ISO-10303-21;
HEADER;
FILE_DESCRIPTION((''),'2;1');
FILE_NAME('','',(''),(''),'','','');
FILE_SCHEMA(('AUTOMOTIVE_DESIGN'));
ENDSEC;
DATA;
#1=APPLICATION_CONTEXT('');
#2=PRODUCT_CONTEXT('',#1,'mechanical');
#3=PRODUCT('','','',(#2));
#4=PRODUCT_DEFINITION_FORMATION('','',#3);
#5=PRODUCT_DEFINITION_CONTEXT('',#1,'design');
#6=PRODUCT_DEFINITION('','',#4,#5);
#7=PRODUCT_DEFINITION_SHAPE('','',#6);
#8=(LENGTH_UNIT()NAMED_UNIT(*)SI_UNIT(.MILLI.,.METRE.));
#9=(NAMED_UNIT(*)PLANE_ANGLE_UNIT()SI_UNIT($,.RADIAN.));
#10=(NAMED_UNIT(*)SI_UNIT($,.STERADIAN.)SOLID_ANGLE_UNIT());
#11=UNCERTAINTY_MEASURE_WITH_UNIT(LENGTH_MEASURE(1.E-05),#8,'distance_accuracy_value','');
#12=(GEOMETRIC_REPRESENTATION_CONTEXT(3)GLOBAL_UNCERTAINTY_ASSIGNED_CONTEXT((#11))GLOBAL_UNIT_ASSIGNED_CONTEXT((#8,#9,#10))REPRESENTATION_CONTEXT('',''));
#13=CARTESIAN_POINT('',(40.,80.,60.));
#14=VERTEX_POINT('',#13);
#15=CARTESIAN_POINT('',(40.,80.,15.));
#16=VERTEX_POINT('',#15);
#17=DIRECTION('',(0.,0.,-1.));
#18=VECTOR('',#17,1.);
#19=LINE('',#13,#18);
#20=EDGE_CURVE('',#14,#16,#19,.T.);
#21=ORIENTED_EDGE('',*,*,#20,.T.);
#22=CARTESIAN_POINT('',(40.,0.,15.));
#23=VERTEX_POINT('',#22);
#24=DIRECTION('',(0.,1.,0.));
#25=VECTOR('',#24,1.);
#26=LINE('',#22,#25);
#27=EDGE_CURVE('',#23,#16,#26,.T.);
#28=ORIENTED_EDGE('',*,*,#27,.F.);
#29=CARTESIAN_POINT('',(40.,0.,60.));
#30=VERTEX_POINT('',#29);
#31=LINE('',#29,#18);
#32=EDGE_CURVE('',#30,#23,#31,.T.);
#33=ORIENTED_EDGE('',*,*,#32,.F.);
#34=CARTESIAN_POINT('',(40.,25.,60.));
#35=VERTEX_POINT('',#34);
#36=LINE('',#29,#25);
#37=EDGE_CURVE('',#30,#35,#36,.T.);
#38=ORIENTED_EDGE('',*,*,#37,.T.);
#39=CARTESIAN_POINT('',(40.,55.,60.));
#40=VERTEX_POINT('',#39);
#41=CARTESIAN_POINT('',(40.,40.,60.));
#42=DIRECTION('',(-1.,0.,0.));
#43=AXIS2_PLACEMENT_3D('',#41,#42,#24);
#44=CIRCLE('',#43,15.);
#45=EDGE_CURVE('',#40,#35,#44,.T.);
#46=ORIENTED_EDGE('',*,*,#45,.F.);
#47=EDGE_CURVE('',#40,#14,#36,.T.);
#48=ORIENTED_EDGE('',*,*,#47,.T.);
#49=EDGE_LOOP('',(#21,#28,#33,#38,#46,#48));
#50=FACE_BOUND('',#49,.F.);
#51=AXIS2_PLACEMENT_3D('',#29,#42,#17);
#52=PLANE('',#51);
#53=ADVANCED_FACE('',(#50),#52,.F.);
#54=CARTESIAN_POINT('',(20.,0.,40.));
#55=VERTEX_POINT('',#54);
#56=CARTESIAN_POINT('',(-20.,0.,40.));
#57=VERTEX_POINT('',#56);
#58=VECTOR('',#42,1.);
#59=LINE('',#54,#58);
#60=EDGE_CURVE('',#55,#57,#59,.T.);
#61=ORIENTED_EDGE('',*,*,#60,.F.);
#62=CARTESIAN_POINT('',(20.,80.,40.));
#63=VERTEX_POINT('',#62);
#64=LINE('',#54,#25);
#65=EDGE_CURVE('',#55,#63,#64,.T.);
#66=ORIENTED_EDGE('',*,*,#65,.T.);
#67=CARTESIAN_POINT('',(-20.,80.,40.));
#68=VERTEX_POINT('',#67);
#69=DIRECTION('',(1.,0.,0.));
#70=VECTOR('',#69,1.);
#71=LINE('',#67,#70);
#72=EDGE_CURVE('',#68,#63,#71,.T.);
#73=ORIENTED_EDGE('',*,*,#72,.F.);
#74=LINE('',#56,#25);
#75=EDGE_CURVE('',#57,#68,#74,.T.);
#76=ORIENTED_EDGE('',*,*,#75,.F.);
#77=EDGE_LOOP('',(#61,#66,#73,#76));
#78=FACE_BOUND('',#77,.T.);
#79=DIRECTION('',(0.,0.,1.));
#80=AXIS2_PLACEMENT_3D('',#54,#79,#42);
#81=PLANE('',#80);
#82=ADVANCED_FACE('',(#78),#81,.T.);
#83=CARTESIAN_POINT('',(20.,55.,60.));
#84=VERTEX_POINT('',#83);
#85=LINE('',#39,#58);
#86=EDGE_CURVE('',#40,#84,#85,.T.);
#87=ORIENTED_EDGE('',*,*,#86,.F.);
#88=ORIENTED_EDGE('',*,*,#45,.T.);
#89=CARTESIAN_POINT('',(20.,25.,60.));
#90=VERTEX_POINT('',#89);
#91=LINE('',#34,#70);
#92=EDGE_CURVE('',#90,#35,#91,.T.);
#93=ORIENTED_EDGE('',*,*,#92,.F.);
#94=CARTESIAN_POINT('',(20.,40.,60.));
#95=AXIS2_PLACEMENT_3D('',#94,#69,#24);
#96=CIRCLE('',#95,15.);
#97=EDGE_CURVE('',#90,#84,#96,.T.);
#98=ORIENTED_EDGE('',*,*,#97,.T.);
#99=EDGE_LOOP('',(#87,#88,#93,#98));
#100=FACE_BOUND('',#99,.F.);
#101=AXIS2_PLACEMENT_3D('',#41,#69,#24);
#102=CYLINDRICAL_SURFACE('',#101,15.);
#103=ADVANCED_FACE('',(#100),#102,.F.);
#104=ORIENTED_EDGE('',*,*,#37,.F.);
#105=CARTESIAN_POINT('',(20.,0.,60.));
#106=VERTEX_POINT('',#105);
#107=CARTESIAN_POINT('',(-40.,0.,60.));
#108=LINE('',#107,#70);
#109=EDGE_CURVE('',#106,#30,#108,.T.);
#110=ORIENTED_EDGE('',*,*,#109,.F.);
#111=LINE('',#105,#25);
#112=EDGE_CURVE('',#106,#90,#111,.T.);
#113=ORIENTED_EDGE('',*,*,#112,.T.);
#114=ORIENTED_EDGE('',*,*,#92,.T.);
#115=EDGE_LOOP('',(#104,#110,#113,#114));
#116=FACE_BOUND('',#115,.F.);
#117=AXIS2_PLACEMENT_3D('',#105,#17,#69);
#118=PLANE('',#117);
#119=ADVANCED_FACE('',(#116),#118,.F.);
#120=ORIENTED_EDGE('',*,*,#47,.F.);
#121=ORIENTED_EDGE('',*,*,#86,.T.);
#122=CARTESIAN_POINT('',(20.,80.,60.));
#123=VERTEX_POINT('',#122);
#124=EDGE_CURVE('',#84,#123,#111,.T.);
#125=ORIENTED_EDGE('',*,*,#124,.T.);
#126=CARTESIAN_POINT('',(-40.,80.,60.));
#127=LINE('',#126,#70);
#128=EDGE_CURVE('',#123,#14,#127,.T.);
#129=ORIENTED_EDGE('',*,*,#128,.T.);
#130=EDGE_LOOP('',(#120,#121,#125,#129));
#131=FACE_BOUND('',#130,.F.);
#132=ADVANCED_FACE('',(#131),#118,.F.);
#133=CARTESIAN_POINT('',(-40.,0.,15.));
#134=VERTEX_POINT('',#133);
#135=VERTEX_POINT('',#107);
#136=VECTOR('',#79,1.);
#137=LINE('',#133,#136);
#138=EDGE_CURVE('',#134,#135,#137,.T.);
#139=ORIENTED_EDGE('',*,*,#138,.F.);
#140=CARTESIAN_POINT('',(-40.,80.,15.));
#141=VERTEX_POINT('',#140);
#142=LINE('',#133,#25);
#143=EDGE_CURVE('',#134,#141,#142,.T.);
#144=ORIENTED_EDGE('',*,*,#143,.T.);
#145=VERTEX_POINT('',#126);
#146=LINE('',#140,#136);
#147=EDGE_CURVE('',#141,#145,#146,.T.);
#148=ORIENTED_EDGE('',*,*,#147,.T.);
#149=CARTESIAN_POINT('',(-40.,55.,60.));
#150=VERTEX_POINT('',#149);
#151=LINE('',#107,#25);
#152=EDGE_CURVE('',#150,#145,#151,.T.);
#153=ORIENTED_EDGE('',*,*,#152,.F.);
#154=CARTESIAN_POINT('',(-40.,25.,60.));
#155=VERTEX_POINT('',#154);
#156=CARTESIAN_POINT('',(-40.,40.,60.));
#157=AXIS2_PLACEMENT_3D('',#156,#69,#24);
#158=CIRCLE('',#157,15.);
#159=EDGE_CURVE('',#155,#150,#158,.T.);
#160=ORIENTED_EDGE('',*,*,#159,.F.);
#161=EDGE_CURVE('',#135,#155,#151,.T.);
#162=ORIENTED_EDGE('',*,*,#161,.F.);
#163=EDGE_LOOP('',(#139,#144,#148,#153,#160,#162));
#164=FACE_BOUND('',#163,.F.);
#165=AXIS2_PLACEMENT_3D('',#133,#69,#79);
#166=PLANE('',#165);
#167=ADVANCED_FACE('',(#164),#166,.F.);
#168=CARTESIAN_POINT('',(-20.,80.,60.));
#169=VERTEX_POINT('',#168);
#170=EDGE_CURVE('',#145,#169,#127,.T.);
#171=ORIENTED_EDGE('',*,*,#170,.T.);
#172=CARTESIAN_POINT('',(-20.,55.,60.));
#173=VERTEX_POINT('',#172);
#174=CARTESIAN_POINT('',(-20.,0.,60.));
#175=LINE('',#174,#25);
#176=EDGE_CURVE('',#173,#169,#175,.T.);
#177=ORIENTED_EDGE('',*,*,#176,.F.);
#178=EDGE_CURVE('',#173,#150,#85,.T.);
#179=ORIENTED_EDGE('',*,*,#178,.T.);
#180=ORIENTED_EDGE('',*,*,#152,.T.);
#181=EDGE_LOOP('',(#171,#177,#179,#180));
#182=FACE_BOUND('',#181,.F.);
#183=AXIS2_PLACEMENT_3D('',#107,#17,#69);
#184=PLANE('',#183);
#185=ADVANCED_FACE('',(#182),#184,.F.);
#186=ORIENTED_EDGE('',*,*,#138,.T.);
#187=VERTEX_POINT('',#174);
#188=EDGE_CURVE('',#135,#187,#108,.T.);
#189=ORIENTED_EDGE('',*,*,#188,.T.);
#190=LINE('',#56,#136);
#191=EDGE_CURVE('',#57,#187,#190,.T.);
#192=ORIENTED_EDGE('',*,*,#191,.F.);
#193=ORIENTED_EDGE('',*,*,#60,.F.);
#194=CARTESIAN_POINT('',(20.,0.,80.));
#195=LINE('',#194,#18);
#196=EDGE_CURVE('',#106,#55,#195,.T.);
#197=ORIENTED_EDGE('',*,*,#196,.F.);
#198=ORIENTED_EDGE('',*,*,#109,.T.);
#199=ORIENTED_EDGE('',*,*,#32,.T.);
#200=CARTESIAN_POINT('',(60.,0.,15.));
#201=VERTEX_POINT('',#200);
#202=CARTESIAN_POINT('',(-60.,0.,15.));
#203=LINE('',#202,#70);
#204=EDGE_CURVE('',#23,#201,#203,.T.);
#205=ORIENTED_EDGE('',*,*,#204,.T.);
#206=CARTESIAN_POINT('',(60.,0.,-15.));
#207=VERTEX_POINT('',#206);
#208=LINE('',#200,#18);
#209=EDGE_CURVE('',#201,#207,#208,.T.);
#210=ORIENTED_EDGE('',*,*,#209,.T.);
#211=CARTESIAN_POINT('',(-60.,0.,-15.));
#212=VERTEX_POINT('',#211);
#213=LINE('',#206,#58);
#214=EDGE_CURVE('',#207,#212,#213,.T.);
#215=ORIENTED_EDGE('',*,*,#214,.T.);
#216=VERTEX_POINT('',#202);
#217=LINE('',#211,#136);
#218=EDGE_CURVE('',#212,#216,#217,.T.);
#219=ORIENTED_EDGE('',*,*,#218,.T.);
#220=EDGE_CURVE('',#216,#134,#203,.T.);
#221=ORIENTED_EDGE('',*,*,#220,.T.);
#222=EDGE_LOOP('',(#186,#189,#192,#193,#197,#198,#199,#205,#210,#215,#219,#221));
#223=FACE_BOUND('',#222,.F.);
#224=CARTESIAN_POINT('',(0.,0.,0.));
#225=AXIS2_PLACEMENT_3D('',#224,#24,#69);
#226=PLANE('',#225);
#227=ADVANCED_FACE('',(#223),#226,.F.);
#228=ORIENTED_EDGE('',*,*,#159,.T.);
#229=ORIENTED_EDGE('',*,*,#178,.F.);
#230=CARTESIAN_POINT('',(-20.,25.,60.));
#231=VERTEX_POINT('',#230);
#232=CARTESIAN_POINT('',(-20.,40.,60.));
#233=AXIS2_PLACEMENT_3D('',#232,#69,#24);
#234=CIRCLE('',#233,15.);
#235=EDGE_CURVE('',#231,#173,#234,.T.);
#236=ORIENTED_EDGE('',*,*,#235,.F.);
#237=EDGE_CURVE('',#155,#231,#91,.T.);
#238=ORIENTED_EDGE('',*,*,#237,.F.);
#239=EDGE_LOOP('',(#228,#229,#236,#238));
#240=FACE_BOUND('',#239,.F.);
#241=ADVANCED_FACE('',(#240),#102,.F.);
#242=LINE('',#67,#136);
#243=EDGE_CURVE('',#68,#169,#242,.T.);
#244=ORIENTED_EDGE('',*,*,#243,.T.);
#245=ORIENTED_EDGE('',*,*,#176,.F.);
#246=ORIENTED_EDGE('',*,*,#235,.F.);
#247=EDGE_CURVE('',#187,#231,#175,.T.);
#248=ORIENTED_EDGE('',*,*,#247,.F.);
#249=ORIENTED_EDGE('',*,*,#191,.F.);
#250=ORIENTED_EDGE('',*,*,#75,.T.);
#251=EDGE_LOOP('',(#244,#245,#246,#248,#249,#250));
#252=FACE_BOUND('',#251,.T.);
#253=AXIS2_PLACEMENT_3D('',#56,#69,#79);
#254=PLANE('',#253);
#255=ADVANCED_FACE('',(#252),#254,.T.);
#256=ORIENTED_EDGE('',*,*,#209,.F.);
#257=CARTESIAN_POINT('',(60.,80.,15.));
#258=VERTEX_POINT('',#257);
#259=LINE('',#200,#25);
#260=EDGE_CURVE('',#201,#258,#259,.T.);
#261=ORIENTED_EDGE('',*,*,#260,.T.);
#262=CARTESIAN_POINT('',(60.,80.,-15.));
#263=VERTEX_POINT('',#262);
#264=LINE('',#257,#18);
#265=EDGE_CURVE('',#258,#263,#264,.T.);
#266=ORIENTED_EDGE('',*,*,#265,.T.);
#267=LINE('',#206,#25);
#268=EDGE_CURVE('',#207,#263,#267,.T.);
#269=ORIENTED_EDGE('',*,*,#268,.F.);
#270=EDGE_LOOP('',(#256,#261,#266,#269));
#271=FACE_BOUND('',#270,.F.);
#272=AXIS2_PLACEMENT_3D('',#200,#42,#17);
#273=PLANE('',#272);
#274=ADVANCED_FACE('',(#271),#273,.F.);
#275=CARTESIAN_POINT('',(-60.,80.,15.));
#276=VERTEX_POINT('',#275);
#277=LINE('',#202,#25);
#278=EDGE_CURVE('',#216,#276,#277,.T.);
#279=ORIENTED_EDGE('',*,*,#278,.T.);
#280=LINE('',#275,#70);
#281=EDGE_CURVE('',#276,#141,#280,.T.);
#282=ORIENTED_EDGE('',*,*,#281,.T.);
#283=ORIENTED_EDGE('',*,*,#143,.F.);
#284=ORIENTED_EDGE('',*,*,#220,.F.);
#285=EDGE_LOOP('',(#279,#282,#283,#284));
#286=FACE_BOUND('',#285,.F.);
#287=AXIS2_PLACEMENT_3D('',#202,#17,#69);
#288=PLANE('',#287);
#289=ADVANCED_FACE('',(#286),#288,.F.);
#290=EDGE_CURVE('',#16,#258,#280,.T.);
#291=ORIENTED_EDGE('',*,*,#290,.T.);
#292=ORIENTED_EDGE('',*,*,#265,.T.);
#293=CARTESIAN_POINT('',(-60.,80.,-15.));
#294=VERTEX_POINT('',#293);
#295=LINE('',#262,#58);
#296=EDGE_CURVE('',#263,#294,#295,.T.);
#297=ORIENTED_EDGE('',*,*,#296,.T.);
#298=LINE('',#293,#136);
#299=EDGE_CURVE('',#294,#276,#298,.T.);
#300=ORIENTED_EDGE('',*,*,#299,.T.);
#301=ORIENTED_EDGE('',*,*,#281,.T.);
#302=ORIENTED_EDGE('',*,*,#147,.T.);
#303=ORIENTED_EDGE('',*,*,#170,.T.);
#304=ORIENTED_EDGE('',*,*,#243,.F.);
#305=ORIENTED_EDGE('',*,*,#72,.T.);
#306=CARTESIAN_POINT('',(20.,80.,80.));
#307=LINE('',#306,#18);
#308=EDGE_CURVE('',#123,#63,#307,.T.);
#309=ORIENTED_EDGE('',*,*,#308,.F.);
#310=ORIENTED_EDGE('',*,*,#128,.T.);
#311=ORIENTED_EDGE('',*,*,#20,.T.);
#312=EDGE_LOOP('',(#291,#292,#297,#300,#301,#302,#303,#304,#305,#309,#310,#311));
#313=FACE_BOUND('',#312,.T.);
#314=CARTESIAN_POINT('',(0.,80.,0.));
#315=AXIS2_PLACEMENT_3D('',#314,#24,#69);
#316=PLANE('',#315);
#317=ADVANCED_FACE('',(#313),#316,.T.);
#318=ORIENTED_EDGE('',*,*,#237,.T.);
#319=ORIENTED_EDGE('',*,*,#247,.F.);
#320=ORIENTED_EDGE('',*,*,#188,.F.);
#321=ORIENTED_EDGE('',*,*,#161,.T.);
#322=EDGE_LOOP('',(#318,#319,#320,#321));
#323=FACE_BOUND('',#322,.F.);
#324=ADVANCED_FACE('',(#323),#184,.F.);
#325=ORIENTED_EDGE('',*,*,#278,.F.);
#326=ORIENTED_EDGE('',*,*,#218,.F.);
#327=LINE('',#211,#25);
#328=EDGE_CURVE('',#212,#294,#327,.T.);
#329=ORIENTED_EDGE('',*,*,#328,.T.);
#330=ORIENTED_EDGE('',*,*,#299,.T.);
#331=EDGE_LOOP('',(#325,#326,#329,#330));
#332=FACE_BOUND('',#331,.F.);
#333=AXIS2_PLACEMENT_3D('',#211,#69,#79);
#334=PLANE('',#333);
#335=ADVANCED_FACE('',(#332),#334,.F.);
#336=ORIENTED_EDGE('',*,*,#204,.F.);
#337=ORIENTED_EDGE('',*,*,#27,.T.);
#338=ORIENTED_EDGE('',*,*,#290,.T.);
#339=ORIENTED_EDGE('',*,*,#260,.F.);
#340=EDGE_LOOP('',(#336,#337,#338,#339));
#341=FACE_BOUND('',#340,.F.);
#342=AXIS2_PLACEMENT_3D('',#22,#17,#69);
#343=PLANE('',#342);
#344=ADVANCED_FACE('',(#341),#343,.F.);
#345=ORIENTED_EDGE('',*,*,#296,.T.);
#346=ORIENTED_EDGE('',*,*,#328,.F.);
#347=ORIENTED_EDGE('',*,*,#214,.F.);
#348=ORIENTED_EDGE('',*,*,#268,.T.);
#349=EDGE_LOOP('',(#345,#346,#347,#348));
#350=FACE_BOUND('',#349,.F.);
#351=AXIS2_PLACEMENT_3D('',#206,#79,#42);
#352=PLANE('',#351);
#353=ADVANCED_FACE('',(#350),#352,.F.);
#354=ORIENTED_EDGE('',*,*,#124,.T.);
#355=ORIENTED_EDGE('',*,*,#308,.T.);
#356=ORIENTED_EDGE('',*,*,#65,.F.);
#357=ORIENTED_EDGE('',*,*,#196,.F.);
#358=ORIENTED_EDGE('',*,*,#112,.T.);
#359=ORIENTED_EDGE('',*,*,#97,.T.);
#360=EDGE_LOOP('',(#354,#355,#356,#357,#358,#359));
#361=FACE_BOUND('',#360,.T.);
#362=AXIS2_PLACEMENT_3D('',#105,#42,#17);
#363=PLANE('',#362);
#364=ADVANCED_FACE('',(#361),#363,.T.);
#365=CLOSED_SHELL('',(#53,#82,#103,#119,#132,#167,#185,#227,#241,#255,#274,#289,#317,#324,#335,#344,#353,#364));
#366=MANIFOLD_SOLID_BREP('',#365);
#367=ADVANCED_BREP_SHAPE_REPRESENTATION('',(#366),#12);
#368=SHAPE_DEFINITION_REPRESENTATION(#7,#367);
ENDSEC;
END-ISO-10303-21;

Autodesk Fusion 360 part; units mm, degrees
sketch "Sketch1" plane through (0, 0, 0) normal (0, 1, 0) x (1, 0, 0)
  line L0 (60, 15) -> (-60, 15)
  line L1 (-60, 15) -> (-60, -15)
  line L2 (-60, -15) -> (60, -15)
  line L3 (60, -15) -> (60, 15)
  line L4 (60, 15) -> (-60, -15) construction
  line L5 (-60, 15) -> (60, -15) construction
  line L6 (0, -15) -> (0, -60)
  line L7 (40, -15) -> (-40, -15)
  line L8 (-40, -15) -> (-40, -60)
  line L9 (-40, -60) -> (40, -60)
  line L10 (40, -60) -> (40, -15)
  line L11 (40, -15) -> (-40, -60) construction
  line L12 (-40, -15) -> (40, -60) construction
  line L13 (20, -40) -> (-20, -40)
  line L14 (-20, -40) -> (-20, -80)
  line L15 (-20, -80) -> (20, -80)
  line L16 (20, -80) -> (20, -40)
  line L17 (20, -40) -> (-20, -80) construction
  line L18 (-20, -40) -> (20, -80) construction
  point P0 (0, -37.5)
  point P1 (0, -60)
  dimension "d1" = 120
  dimension "d2" = 30
  dimension "d3" = 45
  dimension "d4" = 80
  dimension "d5" = 40
  dimension "d6" = 40
extrude "Extrude1" add sketch "Sketch1" along normal blind 80 contours L0 L1 L2 L3 L7 | L2 L6 L7 L9 L10 L13 L16 | L2 L6 L7 L8 L9 L13 L14
sketch "Sketch2" plane through (40, 0, 0) normal (1, 0, 0) x (0, 1, 0)
  line L0 (0, 60) -> (0, 15)
  line L1 (0, 15) -> (80, 15)
  line L2 (80, 15) -> (80, 60)
  line L3 (80, 60) -> (0, 60)
  circle A0 centre (40, 60) radius 15
  dimension "d9" = 30
extrude "Extrude2" cut sketch "Sketch2" against normal blind 100 contours L3 A0 | L3 A0
